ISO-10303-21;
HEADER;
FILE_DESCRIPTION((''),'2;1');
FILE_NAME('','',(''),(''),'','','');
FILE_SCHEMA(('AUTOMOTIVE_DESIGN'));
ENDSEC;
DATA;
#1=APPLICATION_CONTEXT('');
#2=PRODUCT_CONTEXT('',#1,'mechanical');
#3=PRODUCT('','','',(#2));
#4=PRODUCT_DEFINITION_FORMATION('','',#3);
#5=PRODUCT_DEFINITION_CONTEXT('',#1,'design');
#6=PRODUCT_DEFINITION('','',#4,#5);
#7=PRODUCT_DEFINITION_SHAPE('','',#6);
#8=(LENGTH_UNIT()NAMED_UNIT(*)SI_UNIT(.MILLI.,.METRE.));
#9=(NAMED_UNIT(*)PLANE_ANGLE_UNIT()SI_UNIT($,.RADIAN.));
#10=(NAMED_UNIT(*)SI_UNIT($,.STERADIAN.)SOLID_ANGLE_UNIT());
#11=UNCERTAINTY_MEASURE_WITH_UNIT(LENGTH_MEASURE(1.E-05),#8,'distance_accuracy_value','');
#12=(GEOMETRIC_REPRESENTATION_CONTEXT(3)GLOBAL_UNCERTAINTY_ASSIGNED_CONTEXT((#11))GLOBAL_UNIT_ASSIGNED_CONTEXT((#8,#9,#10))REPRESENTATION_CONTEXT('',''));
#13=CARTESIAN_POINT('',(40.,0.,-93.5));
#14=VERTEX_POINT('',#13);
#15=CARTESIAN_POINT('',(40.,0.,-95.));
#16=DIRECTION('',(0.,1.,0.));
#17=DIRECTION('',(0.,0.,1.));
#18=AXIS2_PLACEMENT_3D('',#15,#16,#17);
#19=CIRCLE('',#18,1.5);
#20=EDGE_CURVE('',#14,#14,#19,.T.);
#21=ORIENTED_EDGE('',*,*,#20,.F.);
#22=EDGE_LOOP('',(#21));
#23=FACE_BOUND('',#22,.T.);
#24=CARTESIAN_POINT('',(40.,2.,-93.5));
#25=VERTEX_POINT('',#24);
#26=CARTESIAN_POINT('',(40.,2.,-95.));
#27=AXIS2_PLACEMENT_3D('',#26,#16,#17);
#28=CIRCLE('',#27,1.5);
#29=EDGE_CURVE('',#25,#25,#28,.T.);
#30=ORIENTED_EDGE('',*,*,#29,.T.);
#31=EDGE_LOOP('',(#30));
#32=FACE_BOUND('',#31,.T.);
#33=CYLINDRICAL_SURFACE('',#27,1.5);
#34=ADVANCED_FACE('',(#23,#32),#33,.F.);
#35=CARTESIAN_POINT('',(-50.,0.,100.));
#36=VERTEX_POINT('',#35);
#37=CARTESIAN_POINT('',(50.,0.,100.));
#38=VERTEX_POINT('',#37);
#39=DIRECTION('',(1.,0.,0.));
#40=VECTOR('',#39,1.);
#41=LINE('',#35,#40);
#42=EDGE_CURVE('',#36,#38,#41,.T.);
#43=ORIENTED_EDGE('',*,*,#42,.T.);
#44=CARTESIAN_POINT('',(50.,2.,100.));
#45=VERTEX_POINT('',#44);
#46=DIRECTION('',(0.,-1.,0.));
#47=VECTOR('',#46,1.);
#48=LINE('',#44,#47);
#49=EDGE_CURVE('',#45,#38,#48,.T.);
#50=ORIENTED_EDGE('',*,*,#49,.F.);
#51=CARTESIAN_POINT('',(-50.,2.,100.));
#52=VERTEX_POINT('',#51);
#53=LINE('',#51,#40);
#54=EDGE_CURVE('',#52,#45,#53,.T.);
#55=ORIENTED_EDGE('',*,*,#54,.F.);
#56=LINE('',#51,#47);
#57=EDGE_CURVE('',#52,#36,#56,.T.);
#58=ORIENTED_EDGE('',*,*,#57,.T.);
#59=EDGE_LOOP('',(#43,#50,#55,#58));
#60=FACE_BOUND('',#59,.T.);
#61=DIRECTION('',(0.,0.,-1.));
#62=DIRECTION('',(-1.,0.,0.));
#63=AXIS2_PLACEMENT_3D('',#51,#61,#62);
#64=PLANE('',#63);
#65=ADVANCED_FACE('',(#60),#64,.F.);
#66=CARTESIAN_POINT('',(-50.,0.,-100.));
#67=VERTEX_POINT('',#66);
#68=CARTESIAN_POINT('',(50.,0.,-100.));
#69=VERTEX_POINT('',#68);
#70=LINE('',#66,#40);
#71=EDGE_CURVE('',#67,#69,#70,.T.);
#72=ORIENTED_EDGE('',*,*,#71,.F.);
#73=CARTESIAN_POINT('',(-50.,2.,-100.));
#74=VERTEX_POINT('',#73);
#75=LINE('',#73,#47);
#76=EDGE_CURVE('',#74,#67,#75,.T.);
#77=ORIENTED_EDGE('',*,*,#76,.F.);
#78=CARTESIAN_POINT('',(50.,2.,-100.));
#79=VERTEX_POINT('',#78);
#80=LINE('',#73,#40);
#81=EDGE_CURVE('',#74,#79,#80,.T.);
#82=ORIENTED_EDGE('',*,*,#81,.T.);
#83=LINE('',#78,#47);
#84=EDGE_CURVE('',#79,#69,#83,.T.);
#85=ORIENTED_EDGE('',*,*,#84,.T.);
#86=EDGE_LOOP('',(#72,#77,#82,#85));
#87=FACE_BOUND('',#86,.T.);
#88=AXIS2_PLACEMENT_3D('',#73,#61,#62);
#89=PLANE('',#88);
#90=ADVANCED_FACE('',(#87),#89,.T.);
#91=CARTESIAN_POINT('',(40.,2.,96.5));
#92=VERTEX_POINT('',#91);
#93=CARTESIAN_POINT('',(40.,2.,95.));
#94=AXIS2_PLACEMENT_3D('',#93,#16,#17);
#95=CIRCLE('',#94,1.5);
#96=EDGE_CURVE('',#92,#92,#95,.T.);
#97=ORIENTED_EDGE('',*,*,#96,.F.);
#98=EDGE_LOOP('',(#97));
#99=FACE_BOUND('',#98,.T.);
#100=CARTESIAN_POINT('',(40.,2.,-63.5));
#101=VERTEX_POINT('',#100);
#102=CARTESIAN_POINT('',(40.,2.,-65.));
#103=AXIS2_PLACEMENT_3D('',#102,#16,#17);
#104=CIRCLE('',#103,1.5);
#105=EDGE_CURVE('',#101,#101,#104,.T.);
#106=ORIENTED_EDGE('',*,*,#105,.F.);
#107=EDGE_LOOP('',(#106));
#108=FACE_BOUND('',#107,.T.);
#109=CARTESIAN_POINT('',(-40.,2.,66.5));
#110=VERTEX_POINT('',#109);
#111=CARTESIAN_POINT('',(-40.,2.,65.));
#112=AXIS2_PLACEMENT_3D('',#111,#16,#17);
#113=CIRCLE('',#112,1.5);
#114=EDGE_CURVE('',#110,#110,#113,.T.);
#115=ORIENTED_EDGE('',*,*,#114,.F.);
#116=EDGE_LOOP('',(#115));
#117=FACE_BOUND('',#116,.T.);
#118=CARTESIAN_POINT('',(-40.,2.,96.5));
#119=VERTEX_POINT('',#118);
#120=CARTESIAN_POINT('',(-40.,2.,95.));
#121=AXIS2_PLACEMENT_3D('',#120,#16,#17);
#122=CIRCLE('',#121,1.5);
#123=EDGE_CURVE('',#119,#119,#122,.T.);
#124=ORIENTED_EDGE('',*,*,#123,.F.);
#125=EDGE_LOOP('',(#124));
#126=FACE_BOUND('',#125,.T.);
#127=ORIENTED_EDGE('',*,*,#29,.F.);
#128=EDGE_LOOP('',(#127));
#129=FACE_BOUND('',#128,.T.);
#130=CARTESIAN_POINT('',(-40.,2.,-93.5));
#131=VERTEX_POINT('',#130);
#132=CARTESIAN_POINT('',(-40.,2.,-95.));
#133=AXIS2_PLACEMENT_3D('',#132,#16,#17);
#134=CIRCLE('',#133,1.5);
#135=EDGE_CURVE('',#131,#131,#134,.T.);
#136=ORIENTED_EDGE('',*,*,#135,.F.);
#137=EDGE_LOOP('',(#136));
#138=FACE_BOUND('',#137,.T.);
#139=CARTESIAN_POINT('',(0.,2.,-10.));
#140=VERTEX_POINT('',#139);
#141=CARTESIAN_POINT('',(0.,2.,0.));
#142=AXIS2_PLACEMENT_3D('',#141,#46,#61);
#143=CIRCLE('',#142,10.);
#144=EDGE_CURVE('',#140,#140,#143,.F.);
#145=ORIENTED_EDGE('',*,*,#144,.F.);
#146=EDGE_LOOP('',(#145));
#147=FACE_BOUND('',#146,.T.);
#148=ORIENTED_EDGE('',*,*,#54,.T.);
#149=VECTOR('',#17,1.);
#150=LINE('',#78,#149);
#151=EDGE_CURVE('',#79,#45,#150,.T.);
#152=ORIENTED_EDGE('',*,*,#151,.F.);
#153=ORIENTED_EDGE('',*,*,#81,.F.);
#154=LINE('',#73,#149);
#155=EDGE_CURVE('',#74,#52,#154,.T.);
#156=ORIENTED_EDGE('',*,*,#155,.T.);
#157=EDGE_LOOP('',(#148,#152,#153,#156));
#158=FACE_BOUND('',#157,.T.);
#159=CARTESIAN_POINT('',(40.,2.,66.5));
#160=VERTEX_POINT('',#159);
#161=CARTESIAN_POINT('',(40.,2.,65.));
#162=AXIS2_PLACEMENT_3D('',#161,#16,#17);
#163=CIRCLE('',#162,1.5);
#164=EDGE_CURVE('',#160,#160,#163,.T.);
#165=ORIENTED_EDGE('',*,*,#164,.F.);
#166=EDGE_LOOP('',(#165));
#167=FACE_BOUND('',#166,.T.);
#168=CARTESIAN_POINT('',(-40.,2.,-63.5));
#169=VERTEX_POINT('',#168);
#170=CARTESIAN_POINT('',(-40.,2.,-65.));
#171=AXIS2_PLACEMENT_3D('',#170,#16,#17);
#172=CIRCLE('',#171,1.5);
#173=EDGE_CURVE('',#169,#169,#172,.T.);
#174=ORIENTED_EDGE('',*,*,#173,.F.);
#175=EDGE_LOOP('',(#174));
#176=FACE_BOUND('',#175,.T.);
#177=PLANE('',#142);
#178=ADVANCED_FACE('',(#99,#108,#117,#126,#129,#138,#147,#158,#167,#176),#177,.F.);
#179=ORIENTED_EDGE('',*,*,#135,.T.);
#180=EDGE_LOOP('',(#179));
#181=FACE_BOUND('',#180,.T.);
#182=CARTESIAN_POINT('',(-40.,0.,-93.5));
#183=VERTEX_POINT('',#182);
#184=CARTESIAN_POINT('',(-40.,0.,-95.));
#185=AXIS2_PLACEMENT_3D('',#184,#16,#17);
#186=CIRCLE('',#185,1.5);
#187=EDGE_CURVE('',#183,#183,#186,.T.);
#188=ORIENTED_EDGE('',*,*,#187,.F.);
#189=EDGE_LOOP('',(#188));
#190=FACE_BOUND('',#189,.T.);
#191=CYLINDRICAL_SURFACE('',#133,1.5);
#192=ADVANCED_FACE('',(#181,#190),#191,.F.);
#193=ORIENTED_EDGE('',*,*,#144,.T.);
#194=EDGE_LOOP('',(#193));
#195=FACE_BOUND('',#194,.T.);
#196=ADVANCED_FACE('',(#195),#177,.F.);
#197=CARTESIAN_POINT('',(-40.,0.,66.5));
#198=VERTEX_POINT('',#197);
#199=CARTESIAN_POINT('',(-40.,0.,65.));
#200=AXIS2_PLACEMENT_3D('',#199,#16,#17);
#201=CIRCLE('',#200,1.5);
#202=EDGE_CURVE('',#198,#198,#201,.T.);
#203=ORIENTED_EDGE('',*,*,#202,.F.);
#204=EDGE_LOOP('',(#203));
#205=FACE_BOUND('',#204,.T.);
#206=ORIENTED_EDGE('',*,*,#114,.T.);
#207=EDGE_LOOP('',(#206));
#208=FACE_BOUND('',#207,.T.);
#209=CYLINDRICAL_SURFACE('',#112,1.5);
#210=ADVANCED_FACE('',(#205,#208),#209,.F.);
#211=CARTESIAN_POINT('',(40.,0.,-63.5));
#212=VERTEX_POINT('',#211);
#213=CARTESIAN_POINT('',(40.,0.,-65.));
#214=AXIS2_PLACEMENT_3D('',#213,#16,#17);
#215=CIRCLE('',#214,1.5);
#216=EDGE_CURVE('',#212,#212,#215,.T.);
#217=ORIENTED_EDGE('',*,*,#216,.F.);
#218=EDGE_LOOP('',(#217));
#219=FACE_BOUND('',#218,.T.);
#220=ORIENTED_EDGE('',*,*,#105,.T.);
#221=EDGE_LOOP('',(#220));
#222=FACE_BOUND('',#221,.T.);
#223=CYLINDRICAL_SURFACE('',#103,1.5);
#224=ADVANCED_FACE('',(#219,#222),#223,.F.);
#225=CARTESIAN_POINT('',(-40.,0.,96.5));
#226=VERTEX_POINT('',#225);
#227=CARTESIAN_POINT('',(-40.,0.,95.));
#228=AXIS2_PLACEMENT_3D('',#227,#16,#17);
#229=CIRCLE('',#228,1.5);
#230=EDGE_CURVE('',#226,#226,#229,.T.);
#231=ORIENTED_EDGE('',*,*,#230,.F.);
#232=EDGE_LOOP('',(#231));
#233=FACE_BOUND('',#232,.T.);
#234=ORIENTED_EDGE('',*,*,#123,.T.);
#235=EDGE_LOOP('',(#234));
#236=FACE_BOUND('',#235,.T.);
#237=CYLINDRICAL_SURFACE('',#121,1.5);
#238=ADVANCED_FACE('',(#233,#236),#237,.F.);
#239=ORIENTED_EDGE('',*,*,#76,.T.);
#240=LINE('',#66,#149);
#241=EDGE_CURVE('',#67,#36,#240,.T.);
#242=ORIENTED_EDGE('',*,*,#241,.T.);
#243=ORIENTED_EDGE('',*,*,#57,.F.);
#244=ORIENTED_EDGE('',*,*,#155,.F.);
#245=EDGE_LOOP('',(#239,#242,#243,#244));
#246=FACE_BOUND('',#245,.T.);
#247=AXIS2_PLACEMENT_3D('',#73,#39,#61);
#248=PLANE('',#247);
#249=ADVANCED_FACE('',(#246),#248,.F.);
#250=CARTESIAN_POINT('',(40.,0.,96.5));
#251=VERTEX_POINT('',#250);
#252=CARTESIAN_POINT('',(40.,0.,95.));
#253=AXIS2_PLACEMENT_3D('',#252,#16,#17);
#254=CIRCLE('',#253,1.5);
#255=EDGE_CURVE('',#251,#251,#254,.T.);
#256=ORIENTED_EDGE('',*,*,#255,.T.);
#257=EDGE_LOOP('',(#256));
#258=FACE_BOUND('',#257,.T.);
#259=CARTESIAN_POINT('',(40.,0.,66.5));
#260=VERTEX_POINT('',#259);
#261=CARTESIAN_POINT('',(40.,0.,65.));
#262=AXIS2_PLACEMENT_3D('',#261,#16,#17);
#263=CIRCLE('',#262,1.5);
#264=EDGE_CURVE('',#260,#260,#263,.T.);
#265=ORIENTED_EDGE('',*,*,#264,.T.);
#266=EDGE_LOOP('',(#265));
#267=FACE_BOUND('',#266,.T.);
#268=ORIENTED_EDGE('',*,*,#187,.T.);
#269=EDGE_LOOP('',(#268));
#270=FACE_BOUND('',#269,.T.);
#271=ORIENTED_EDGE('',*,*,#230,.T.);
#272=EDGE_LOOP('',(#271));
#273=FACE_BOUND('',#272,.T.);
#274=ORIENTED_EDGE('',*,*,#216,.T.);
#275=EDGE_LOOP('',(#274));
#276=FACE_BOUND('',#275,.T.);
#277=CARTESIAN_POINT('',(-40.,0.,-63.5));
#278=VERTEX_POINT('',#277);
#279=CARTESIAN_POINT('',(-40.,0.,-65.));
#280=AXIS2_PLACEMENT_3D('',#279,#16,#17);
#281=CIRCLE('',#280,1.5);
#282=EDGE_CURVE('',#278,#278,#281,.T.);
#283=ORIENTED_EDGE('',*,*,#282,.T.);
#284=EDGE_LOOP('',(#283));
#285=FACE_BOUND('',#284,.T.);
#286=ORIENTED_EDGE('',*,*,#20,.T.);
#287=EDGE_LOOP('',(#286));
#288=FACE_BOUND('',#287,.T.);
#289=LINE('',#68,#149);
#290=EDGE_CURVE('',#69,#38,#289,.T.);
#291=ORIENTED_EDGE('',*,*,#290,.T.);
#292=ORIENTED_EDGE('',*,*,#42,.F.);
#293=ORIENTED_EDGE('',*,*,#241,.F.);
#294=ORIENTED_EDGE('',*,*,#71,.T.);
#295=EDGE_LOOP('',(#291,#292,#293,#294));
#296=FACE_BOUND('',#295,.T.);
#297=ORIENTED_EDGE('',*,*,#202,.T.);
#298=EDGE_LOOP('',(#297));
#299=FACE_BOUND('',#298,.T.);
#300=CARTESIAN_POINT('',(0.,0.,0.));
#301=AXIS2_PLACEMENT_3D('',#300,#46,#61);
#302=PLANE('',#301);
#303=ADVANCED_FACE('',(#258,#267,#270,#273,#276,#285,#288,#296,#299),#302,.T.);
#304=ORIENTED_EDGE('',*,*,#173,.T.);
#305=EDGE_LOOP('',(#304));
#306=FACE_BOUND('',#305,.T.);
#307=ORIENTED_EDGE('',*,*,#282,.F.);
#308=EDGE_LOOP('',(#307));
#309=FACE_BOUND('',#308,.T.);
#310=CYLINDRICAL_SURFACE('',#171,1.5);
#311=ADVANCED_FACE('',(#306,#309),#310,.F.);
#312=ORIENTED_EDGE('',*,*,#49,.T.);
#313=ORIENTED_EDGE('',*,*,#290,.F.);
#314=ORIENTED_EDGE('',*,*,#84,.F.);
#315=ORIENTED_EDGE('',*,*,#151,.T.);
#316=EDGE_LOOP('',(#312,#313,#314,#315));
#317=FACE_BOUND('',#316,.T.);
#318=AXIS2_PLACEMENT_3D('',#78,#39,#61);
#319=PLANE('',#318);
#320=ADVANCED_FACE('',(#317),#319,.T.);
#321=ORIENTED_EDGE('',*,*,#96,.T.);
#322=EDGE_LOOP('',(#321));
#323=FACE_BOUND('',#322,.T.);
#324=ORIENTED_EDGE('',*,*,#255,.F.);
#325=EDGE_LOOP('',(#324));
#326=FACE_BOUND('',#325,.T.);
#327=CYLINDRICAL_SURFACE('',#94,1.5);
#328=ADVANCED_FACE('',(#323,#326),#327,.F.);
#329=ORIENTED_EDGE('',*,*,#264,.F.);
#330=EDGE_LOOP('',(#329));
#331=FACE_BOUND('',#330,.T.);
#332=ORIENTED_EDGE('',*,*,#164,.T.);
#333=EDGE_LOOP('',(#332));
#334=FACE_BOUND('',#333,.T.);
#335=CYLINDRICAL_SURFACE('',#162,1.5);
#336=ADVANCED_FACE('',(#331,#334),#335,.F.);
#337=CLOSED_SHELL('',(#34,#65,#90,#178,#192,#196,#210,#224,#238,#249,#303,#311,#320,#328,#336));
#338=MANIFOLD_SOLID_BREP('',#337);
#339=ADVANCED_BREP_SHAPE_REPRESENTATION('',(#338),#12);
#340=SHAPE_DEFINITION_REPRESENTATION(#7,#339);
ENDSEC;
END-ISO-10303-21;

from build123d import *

# Parameters (mm, degrees)
SKETCH1_W             = 100
SKETCH1_H             = 200
BOSS_EXTRUDE1_DEPTH   = 2
F_3_0MM_DOWEL_HOLE1_D = 3


with BuildPart() as part:
    # Sketch1 → Boss-Extrude1 (new body)
    with BuildSketch(Plane(origin=(0, 0, 0), x_dir=(1, 0, 0), z_dir=(0, 1, 0))):
        Rectangle(SKETCH1_W, SKETCH1_H)
    extrude(amount=BOSS_EXTRUDE1_DEPTH)

    # Ø3.0mm Dowel Hole1 (through all)
    with Locations(Plane(origin=(0, 2, 0), x_dir=(1, 0, 0), z_dir=(0, 1, 0))):
        with Locations((-40, 95), (40, 95), (-40, 65), (40, 65), (-40, -65), (-40, -95), (40, -65), (40, -95)):
            Hole(F_3_0MM_DOWEL_HOLE1_D / 2)


solid = part.part
